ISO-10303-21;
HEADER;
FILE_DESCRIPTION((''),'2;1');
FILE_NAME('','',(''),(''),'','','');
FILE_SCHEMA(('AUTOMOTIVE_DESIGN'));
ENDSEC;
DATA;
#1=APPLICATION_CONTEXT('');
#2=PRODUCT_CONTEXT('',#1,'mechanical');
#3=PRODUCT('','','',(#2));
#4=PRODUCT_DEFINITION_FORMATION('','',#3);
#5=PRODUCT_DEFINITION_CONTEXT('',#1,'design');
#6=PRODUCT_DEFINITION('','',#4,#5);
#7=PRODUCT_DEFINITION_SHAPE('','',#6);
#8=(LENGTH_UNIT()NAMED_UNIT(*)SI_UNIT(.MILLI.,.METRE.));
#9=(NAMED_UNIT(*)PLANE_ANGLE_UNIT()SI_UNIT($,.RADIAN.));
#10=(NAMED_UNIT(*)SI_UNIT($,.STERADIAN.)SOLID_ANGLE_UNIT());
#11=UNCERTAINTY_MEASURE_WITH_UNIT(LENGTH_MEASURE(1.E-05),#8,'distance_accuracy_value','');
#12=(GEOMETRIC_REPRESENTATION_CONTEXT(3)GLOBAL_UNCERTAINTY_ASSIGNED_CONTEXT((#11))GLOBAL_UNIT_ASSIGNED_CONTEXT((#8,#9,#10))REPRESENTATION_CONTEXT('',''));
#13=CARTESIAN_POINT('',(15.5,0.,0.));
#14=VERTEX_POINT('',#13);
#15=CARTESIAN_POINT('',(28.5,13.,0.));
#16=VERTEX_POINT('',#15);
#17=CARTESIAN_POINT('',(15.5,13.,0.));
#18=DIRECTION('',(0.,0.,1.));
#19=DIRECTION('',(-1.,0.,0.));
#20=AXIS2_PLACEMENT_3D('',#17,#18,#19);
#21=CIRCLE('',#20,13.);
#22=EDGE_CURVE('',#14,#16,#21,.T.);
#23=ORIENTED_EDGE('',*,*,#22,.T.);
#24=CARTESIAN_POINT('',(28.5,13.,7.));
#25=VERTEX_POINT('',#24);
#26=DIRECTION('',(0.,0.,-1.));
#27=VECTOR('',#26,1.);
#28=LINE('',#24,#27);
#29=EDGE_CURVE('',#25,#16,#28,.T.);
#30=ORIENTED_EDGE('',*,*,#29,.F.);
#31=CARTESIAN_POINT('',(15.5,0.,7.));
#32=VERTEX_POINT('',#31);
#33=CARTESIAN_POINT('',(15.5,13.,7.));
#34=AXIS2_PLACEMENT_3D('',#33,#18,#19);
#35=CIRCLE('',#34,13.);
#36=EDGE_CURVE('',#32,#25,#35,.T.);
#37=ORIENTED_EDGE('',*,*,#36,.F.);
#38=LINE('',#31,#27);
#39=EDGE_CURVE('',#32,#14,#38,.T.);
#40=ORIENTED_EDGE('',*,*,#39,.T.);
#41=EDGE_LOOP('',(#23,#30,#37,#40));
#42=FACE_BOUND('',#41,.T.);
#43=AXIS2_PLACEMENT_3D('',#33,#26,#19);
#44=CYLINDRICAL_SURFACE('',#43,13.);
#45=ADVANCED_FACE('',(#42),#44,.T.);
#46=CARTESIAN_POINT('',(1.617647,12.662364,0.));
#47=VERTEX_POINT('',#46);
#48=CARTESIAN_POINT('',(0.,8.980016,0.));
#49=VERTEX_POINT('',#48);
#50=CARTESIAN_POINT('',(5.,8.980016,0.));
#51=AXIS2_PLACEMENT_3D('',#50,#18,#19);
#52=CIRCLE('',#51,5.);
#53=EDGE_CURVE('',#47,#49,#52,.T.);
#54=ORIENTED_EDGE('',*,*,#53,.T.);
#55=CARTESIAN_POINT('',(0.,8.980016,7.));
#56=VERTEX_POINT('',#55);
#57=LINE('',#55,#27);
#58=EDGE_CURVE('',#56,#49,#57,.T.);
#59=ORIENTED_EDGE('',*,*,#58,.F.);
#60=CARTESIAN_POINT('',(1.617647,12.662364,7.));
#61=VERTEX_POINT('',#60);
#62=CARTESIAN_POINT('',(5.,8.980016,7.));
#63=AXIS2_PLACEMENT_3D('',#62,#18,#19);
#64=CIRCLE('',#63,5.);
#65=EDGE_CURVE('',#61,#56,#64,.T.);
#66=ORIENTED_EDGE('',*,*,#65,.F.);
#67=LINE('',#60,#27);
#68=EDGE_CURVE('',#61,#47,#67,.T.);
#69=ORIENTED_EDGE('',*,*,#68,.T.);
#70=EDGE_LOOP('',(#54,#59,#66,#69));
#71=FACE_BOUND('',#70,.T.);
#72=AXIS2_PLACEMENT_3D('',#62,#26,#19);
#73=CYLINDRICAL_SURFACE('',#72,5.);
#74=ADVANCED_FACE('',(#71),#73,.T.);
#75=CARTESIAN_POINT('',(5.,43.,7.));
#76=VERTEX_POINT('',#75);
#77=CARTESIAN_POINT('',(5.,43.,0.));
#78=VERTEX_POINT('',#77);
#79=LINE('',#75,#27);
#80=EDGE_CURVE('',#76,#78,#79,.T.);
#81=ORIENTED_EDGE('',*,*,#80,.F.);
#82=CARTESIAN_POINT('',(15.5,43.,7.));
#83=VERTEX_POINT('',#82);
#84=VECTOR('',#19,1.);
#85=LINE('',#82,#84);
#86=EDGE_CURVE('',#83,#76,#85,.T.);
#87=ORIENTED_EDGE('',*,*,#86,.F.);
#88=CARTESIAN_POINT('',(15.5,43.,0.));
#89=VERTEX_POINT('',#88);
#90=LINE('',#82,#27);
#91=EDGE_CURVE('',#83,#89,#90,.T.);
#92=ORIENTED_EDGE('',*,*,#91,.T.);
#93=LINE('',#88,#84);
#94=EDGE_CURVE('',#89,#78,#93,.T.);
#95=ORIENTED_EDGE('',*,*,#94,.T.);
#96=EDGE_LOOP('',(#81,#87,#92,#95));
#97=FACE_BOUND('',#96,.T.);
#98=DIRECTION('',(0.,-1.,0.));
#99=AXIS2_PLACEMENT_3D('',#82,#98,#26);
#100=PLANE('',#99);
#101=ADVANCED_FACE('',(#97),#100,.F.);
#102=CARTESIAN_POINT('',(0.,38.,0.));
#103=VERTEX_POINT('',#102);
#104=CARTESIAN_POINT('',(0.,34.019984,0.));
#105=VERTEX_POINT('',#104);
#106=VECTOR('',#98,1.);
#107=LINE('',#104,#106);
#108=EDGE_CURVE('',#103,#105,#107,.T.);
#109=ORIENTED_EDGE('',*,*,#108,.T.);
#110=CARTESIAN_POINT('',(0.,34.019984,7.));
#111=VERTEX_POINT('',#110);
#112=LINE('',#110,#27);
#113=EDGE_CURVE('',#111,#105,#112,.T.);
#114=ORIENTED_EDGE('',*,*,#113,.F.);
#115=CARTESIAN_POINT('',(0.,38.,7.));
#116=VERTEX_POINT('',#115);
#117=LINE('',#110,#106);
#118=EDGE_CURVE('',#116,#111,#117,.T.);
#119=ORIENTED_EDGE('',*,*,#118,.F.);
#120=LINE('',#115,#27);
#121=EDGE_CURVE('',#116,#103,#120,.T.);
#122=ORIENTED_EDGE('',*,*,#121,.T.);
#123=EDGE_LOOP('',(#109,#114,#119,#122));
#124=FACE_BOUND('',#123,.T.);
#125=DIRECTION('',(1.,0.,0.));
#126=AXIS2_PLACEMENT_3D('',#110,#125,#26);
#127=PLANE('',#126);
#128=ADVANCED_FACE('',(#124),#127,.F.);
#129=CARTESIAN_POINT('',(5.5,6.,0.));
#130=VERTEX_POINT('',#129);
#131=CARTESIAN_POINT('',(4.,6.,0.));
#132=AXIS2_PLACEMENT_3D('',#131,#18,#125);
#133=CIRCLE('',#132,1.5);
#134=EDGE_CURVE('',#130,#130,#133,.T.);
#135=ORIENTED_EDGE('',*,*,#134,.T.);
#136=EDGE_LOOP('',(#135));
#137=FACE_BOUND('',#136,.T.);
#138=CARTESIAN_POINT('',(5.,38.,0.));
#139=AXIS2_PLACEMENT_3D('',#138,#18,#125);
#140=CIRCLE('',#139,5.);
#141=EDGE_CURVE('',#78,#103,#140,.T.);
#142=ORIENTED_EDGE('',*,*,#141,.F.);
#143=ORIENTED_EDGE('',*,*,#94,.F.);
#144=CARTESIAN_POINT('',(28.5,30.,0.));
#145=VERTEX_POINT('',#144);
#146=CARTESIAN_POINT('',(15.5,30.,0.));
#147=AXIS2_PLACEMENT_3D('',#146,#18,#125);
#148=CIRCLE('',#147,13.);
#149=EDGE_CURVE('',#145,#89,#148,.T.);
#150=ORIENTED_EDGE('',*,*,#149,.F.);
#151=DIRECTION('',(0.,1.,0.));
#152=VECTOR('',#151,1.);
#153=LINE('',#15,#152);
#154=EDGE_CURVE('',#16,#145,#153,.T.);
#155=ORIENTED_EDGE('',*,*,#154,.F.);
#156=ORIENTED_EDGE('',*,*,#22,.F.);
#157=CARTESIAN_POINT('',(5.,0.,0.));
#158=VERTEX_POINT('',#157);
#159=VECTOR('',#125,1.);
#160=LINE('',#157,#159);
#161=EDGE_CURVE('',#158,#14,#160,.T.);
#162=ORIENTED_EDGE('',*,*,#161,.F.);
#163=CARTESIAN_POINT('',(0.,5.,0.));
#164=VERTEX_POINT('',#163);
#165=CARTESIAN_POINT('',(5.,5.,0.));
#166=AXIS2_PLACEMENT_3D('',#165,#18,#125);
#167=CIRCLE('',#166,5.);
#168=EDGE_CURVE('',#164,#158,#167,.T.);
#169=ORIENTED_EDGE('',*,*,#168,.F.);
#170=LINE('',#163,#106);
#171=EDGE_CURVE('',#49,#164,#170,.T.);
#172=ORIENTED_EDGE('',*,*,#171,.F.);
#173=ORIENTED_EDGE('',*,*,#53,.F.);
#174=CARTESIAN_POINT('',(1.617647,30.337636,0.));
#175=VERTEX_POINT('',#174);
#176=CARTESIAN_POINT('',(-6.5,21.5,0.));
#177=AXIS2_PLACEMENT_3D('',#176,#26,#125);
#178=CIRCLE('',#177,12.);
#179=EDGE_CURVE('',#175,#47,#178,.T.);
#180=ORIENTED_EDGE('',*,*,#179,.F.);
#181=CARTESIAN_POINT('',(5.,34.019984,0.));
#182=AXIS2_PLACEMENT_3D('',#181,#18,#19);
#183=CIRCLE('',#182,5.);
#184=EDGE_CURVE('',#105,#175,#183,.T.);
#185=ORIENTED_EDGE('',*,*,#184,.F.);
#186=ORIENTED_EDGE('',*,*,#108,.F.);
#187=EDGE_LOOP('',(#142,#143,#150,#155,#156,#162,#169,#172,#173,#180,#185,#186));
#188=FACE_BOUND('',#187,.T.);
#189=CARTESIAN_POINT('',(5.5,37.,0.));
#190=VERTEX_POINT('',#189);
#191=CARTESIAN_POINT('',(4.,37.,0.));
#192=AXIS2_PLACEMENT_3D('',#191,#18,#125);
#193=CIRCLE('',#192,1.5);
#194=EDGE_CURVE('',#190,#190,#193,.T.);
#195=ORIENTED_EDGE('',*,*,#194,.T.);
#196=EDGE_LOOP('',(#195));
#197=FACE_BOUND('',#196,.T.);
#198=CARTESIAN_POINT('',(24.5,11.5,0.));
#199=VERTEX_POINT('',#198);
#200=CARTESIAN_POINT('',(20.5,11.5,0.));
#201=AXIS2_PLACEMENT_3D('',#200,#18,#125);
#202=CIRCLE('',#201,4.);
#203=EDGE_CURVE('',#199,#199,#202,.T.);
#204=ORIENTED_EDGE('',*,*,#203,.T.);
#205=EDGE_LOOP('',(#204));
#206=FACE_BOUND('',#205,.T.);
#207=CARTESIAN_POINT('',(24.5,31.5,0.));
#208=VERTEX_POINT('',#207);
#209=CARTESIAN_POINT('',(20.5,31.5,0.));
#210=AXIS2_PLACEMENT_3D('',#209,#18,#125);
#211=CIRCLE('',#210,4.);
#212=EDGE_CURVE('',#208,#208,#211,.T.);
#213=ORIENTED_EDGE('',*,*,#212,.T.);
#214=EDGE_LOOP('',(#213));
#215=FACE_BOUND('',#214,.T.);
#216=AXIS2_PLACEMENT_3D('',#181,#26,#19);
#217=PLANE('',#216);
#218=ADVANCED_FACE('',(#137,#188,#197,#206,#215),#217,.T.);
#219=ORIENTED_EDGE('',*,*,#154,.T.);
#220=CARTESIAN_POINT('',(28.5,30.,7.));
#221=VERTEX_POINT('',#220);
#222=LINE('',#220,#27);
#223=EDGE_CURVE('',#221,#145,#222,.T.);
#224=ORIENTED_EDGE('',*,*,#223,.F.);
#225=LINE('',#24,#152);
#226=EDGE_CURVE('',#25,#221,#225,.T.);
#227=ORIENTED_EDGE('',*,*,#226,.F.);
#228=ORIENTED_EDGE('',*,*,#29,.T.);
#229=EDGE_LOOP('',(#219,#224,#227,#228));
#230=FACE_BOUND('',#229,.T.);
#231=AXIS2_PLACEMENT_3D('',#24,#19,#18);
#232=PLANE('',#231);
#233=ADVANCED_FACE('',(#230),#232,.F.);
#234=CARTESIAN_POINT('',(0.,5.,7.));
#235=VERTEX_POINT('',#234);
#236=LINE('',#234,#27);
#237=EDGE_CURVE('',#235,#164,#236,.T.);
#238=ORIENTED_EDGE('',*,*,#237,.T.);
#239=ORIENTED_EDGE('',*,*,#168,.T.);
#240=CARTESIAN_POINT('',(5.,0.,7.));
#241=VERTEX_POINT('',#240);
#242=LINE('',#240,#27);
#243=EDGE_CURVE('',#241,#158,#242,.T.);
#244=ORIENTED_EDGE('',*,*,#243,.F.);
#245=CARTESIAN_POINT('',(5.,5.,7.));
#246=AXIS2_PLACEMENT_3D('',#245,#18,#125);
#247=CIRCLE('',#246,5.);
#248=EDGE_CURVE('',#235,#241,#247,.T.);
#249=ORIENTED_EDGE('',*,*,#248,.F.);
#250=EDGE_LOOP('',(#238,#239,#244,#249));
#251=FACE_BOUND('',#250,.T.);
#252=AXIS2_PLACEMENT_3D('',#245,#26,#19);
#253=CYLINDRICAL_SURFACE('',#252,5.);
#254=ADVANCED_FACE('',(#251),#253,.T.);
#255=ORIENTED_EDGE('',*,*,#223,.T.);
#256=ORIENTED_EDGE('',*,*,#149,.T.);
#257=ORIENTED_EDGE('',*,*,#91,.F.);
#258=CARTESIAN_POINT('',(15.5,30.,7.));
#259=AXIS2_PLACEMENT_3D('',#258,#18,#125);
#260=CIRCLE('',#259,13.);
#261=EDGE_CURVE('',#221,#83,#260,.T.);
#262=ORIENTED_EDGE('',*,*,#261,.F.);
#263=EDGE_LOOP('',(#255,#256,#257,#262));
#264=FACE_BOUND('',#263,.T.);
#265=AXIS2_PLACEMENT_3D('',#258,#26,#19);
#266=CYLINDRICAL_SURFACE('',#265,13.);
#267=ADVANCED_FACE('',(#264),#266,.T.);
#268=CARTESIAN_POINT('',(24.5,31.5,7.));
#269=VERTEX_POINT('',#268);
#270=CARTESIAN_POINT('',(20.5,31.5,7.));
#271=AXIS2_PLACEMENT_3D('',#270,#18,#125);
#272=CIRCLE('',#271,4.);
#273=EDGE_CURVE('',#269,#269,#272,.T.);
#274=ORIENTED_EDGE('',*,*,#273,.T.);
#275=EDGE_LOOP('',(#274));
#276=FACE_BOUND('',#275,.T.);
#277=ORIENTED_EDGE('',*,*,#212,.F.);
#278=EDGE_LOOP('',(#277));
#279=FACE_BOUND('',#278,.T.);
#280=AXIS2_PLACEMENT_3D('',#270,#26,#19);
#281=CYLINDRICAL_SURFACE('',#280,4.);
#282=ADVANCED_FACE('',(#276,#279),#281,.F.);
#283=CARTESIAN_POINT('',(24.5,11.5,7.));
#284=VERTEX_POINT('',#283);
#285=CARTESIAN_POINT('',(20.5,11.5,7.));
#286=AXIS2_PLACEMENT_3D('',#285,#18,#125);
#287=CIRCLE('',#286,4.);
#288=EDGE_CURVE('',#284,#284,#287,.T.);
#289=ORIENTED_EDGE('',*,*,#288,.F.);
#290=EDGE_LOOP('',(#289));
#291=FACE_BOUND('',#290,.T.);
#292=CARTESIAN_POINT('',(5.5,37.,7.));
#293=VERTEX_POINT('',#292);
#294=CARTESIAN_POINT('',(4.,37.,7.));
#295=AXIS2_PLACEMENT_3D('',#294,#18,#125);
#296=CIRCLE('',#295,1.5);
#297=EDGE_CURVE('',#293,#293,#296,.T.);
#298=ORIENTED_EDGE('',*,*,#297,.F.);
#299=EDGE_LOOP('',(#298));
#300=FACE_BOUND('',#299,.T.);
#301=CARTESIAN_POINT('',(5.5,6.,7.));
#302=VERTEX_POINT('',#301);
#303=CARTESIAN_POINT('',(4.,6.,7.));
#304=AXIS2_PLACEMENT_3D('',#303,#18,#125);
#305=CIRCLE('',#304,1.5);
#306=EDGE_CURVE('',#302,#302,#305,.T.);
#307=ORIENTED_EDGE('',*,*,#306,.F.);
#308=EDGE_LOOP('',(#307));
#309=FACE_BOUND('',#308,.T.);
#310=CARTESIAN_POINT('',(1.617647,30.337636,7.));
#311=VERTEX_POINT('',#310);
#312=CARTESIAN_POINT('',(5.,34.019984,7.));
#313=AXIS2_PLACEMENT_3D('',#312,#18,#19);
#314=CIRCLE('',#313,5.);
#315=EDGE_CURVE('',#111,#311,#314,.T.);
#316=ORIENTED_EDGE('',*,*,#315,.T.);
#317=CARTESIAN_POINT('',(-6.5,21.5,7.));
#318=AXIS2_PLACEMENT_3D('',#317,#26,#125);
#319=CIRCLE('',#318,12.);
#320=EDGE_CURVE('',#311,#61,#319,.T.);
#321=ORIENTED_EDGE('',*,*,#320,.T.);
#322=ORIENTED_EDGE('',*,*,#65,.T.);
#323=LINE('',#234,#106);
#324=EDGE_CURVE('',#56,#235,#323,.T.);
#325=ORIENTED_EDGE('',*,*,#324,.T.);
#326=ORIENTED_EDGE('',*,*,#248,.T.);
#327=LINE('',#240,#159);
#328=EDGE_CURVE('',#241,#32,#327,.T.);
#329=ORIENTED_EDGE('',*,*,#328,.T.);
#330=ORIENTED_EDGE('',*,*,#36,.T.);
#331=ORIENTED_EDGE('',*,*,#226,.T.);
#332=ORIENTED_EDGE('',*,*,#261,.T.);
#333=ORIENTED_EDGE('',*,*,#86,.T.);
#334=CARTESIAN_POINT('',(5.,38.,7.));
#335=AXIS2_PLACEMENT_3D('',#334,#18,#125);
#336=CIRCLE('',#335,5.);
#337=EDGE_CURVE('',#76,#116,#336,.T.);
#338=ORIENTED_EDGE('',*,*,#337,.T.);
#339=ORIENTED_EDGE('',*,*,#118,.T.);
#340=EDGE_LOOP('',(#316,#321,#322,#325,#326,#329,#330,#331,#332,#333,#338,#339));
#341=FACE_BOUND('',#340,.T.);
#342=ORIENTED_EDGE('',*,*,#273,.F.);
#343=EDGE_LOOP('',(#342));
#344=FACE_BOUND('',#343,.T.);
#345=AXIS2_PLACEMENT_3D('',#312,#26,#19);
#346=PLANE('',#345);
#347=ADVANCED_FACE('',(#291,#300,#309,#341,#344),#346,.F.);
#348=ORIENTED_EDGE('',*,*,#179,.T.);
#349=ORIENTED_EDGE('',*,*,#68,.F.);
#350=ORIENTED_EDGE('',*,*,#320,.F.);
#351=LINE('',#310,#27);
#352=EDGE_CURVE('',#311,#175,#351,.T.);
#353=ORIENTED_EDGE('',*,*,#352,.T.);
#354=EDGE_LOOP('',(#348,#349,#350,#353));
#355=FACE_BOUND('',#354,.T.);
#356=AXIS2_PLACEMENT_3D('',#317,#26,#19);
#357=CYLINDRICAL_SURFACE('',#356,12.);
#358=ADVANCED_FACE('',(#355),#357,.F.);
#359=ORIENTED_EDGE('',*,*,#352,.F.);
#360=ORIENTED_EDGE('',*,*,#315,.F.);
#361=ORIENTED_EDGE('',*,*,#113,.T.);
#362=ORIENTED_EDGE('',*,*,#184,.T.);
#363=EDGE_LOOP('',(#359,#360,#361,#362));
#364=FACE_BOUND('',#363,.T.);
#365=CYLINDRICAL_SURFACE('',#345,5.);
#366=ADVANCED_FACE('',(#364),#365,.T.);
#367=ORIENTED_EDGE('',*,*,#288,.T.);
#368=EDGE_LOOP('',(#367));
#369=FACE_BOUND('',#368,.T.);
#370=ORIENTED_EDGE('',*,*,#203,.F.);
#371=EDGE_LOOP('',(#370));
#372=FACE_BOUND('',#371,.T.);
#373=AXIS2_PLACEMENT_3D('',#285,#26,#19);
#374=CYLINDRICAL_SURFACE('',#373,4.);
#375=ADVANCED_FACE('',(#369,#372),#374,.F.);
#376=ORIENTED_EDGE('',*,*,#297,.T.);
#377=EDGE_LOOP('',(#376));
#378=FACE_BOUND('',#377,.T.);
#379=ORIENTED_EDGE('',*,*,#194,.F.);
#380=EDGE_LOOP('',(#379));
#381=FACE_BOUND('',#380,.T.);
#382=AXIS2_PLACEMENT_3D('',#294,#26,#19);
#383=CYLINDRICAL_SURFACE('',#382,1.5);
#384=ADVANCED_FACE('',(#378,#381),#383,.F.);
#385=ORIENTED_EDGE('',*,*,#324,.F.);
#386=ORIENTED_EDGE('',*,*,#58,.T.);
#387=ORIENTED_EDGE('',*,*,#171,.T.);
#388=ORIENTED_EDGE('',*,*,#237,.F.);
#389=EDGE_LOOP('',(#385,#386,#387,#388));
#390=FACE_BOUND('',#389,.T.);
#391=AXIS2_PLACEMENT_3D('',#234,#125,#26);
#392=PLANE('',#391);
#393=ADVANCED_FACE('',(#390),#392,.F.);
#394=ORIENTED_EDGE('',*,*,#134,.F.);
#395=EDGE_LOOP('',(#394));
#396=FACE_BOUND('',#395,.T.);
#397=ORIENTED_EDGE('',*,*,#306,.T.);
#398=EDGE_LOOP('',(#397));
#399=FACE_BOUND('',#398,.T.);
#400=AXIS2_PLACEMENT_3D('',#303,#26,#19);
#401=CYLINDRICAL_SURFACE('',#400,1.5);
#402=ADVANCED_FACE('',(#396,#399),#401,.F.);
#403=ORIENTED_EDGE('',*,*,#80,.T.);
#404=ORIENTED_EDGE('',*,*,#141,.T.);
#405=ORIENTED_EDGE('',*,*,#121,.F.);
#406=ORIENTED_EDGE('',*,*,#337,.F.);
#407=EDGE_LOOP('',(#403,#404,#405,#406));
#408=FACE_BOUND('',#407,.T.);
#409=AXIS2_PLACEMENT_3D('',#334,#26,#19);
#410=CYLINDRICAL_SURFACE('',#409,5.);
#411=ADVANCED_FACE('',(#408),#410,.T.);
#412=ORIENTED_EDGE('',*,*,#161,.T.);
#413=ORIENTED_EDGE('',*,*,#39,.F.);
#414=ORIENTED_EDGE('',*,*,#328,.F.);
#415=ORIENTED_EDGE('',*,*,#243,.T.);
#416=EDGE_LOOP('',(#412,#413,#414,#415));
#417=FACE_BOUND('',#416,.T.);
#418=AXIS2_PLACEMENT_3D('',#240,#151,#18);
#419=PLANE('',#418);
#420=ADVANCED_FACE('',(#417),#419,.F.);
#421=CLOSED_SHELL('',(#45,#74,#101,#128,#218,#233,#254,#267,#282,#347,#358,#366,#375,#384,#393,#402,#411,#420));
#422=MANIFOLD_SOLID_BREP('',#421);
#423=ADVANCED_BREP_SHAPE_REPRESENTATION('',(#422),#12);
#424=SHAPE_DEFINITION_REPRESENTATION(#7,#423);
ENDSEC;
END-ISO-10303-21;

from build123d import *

# Parameters (mm, degrees)
CROQUIS1_R              = 4
CROQUIS1_R_2            = 1.5
SALIENTE_EXTRUIR1_DEPTH = 7


with BuildPart() as part:
    # Croquis1 → Saliente-Extruir1 (new body)
    with BuildSketch(Plane.XY):
        with BuildLine():
            Line((5, 0), (15.5, 0))
            ThreePointArc((15.5, 0), (24.692388155, 3.807611845), (28.5, 13))
            Line((28.5, 13), (28.5, 30))
            ThreePointArc((28.5, 30), (24.692388155, 39.192388155), (15.5, 43))
            Line((15.5, 43), (5, 43))
            ThreePointArc((5, 43), (1.464466094, 41.535533906), (0, 38))
            Line((0, 38), (0, 34.019984026))
            ThreePointArc((0, 34.019984026), (0.422240466, 32.008984859), (1.617647059, 30.337635783))
            ThreePointArc((1.617647059, 30.337635783), (5.5, 21.5), (1.617647059, 12.662364217))
            ThreePointArc((1.617647059, 12.662364217), (0.422240466, 10.991015141), (0, 8.980015974))
            Line((0, 8.980015974), (0, 5))
            ThreePointArc((0, 5), (1.464466094, 1.464466094), (5, 0))
        make_face()
        with Locations((20.5, 31.5)):
            Circle(CROQUIS1_R, mode=Mode.SUBTRACT)
        with Locations((20.5, 11.5)):
            Circle(CROQUIS1_R, mode=Mode.SUBTRACT)
        with Locations((4, 37)):
            Circle(CROQUIS1_R_2, mode=Mode.SUBTRACT)
        with Locations((4, 6)):
            Circle(CROQUIS1_R_2, mode=Mode.SUBTRACT)
    extrude(amount=SALIENTE_EXTRUIR1_DEPTH)


solid = part.part
